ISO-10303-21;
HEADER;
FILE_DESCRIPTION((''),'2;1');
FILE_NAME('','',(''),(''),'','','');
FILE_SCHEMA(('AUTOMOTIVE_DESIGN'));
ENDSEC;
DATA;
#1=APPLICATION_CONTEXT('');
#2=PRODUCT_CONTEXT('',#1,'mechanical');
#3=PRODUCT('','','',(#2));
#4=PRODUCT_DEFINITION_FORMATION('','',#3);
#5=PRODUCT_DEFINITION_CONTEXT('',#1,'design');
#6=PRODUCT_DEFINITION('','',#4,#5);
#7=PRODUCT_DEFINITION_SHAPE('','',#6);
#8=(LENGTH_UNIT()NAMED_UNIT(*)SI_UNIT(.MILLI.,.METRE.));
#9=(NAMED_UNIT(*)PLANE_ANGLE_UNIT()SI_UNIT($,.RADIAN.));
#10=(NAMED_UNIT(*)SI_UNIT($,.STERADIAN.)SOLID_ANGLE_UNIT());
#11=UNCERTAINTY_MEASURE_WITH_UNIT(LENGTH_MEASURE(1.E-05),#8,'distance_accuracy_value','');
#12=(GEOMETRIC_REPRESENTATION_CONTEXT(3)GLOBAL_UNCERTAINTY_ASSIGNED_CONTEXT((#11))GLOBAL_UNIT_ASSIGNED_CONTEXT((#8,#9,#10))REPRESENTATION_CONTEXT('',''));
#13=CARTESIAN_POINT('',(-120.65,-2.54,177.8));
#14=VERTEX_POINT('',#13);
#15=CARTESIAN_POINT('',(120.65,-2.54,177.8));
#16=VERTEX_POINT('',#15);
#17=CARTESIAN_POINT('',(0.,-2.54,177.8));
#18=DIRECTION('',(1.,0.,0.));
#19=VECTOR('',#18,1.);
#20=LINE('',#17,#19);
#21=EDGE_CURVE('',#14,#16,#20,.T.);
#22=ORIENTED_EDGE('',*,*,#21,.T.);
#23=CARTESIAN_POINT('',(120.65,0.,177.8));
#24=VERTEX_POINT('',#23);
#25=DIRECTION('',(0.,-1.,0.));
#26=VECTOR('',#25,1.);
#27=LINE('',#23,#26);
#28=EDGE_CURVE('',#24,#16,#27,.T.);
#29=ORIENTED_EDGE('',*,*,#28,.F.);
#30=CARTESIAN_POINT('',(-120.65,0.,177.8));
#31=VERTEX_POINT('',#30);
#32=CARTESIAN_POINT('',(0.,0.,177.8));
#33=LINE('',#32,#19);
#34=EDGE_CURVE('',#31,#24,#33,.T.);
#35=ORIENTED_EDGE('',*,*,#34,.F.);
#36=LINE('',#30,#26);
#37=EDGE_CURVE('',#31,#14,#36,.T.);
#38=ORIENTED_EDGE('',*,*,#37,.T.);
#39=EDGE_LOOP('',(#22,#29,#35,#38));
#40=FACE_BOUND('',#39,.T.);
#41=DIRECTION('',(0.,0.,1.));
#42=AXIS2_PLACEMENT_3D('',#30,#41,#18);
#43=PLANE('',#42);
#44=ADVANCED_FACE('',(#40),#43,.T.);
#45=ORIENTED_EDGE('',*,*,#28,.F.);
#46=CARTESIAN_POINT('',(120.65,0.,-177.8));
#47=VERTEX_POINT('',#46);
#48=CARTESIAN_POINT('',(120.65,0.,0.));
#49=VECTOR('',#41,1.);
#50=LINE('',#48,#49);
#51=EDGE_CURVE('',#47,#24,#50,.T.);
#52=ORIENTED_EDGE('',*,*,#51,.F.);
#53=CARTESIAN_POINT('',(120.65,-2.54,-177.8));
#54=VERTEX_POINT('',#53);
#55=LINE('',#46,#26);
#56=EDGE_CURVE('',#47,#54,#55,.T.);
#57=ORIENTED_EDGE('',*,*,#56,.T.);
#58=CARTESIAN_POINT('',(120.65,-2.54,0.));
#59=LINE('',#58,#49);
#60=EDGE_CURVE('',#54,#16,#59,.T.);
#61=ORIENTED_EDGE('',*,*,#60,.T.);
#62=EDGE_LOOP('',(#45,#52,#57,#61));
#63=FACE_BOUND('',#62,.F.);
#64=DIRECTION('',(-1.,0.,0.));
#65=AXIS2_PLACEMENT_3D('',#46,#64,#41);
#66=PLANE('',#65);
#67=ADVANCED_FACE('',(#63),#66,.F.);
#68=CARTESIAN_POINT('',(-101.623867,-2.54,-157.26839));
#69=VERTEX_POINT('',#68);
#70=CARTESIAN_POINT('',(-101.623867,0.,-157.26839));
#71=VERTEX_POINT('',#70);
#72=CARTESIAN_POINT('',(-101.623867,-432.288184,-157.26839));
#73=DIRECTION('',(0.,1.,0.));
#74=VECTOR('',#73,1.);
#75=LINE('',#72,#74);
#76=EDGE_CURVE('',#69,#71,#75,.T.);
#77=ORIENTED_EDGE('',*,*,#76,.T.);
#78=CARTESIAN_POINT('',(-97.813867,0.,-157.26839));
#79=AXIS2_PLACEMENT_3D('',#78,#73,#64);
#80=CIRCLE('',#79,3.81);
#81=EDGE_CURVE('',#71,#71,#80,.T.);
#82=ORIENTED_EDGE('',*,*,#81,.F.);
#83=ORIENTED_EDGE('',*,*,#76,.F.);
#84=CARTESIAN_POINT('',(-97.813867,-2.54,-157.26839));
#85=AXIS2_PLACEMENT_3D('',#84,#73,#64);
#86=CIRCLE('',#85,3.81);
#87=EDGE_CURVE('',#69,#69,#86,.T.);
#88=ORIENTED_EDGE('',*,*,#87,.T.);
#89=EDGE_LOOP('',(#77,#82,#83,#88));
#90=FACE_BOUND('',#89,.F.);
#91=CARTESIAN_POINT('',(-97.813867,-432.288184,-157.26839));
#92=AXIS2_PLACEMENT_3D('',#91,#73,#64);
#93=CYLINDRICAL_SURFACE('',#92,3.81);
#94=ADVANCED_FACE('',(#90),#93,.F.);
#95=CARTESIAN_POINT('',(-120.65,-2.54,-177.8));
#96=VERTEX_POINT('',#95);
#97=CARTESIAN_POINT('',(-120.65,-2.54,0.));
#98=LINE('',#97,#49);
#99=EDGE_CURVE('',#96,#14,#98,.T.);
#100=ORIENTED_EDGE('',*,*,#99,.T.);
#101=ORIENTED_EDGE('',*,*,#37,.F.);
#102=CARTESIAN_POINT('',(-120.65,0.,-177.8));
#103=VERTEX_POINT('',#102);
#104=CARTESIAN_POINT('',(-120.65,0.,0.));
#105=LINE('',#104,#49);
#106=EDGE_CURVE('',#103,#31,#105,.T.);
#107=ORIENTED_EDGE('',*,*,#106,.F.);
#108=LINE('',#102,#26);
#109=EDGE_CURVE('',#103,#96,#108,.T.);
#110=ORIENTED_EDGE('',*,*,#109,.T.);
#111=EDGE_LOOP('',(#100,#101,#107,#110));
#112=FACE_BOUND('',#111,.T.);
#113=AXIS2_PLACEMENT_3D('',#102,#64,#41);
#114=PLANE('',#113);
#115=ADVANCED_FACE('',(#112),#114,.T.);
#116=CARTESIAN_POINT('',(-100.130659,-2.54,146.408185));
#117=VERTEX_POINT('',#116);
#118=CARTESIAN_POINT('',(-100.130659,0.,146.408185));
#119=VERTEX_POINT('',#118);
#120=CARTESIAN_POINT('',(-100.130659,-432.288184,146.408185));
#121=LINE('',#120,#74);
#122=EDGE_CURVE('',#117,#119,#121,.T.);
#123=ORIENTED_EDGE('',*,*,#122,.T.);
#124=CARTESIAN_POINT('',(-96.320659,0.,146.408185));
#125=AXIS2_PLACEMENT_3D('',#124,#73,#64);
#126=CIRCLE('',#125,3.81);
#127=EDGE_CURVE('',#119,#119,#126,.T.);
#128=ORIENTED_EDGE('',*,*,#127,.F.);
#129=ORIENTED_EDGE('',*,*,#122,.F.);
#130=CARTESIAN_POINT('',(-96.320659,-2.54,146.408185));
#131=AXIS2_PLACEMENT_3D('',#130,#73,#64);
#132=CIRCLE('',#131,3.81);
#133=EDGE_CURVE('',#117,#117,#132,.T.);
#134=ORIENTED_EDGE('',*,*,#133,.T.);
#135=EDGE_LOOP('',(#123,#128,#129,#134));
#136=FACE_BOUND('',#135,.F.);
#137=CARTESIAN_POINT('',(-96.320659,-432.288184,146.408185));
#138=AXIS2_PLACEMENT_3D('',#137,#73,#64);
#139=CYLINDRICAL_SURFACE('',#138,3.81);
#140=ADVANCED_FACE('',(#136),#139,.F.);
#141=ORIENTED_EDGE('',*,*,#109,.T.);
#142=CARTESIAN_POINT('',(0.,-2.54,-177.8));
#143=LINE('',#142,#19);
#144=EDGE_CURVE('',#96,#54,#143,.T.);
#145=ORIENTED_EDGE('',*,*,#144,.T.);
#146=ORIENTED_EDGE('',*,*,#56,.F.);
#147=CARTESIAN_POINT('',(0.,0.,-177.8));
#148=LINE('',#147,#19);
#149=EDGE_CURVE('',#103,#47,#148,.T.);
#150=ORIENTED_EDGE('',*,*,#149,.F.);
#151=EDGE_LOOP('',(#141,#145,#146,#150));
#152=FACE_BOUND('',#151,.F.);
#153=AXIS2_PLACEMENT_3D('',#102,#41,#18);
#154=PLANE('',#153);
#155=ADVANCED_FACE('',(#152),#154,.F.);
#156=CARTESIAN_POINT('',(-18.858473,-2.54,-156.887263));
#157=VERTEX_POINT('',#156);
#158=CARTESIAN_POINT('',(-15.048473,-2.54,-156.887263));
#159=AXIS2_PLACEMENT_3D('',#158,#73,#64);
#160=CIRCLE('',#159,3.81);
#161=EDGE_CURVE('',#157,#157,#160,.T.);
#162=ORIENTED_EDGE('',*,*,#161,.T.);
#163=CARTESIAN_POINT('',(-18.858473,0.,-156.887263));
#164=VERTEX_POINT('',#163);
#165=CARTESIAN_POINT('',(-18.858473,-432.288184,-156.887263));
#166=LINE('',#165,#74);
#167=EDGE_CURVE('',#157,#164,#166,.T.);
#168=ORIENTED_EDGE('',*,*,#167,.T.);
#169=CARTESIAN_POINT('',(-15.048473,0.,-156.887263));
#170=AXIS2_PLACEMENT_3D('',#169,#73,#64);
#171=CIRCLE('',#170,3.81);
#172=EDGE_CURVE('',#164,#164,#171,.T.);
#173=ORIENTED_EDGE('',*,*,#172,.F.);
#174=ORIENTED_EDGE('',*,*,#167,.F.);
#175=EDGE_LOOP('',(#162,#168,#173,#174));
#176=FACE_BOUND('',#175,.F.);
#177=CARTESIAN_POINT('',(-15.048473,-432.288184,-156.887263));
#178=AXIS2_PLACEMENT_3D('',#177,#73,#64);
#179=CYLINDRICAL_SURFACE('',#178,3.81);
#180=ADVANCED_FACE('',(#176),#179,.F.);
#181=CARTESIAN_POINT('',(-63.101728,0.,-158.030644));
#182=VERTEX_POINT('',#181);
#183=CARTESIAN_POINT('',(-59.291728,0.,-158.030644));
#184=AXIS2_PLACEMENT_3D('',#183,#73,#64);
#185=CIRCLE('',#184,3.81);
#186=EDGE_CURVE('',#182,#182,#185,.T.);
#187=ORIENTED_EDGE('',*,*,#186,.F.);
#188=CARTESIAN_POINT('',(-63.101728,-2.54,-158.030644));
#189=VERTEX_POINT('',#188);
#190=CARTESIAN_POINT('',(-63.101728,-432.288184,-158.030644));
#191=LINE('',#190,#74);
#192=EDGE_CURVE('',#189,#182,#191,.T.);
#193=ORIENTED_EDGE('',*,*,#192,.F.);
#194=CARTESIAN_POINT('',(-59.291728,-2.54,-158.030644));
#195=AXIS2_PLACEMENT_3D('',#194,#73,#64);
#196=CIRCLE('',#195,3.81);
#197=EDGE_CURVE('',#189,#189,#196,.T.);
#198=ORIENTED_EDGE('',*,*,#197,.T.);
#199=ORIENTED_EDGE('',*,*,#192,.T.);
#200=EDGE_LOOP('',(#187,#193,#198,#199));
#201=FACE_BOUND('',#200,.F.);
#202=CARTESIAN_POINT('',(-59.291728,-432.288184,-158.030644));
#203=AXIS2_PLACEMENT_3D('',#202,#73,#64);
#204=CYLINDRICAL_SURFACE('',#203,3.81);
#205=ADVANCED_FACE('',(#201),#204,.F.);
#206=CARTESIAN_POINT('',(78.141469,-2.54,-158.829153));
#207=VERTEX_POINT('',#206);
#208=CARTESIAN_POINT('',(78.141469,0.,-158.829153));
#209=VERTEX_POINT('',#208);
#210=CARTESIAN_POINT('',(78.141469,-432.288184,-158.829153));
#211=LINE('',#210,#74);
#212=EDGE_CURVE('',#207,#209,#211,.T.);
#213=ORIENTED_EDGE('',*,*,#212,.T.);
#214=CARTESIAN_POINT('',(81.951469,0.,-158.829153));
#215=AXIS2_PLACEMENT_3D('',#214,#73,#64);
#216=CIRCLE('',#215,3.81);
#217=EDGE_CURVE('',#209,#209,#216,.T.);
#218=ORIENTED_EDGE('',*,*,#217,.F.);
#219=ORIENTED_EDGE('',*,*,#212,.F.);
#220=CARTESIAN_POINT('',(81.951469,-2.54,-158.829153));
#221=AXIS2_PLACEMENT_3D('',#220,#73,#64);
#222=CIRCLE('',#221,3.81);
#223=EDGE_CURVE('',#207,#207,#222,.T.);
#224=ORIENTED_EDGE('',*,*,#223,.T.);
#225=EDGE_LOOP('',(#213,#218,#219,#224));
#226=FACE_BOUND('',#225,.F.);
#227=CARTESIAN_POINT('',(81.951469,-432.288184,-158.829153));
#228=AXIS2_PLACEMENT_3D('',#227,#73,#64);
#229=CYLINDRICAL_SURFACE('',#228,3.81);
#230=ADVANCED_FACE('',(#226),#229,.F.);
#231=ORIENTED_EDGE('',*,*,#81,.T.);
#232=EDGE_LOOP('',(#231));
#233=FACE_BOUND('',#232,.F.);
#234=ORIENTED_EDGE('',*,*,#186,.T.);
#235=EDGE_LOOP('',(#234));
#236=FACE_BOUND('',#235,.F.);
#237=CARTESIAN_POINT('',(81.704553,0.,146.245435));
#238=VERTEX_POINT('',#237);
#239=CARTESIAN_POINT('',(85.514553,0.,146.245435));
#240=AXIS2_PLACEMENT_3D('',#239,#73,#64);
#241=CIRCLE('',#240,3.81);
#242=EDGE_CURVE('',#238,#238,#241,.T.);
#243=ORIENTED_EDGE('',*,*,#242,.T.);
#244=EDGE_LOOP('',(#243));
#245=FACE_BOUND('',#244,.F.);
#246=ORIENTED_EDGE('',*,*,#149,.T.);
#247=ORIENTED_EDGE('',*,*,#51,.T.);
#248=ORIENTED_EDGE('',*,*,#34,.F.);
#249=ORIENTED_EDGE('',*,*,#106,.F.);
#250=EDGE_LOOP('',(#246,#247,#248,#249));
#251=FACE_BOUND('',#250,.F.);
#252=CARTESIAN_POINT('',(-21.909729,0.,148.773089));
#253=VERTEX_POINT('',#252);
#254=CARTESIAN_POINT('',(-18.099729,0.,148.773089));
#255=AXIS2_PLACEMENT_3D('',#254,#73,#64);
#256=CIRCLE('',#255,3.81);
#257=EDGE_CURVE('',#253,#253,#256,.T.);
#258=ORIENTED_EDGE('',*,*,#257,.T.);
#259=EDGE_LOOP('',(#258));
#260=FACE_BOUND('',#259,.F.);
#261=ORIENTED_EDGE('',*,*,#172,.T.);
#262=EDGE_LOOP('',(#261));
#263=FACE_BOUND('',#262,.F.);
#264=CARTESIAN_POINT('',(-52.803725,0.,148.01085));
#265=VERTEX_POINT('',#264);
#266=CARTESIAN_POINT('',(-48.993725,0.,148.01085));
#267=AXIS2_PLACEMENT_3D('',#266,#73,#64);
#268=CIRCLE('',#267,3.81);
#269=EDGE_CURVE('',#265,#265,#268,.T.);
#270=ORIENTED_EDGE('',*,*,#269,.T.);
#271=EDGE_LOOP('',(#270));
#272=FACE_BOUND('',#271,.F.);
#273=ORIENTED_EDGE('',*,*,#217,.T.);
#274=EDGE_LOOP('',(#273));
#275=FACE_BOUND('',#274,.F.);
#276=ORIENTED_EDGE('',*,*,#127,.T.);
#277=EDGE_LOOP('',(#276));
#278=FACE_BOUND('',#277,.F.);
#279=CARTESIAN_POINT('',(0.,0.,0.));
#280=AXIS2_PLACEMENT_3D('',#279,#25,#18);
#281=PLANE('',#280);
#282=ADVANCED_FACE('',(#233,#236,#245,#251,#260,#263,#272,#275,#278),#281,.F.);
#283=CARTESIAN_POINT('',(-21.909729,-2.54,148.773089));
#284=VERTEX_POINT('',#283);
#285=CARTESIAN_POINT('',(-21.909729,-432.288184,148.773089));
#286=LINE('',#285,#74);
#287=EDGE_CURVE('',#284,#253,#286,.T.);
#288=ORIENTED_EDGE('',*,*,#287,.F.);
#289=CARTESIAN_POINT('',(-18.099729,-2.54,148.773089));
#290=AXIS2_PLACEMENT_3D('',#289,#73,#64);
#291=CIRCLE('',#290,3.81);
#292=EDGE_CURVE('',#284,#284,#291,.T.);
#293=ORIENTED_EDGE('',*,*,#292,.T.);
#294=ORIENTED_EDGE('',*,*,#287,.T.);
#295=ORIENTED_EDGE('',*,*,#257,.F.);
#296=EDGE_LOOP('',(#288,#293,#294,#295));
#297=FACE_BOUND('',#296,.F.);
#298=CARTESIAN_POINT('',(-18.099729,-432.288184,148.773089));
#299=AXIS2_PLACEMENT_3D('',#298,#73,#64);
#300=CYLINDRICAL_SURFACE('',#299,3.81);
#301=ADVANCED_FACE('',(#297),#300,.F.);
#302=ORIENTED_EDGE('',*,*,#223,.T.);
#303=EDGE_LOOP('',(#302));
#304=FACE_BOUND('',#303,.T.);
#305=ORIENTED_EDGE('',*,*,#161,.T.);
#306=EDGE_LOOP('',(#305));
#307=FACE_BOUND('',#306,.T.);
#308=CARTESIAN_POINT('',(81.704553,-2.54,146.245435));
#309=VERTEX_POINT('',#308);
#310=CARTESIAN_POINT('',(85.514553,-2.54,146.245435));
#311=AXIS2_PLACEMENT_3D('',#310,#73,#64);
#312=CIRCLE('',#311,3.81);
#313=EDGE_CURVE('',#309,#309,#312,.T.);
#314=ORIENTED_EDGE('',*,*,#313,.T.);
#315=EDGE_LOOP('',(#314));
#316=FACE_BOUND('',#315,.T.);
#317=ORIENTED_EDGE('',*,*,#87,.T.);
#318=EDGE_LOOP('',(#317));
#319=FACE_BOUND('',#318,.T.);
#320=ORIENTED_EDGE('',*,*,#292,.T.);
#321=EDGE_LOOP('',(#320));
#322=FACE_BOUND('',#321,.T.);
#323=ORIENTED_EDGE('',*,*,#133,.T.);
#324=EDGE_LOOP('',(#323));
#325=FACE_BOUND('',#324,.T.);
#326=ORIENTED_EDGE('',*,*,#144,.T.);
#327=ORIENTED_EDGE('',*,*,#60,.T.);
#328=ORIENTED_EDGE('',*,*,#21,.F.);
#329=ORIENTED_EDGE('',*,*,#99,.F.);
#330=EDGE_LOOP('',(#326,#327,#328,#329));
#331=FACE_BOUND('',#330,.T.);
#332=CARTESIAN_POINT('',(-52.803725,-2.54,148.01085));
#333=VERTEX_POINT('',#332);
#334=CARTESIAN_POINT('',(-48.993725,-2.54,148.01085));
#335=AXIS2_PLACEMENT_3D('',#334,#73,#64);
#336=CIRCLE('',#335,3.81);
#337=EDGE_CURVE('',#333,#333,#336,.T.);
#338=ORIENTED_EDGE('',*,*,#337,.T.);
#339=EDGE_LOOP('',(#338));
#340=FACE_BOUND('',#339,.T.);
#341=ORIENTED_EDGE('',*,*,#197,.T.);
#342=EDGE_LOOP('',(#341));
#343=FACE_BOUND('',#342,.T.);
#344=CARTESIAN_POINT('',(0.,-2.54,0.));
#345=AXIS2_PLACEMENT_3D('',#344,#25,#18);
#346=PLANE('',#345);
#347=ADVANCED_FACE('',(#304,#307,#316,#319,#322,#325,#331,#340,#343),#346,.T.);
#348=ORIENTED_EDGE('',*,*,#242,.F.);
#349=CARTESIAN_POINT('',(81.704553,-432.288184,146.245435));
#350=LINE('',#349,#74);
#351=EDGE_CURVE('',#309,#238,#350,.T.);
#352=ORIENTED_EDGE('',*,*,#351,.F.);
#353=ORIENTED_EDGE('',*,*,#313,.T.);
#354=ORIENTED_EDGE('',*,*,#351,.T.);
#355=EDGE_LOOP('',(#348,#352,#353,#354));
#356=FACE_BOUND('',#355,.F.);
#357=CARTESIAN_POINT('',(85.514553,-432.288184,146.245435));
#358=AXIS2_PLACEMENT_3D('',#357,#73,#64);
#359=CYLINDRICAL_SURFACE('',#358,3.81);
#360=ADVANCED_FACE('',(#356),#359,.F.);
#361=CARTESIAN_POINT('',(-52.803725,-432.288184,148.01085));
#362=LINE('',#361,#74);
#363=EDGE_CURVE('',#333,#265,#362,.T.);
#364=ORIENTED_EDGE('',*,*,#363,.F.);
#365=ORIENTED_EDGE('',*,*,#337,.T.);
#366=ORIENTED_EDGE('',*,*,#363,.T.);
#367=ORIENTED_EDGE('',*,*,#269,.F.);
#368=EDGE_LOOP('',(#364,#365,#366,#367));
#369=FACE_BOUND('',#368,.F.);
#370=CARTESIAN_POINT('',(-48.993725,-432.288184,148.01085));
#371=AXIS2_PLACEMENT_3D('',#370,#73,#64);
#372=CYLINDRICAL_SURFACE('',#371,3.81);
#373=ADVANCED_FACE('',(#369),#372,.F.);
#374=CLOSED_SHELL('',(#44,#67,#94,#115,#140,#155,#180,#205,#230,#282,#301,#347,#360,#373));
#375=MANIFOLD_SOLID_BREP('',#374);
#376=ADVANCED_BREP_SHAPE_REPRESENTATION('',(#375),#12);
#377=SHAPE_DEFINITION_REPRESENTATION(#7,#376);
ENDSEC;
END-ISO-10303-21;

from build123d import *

# Parameters (mm, degrees)
F0_W     = 241.3
F0_H     = 355.6
F1_DEPTH = 2.54
F3_D     = 7.62
F5_D     = 7.62
F7_D     = 7.62


with BuildPart() as f1:
    # F0 (on Front) → F1 (new body)
    with BuildSketch(Plane.XZ):
        Rectangle(F0_W, F0_H)
    extrude(amount=F1_DEPTH)

    # F3 (through all)
    with Locations(Plane.XZ.offset(2.54)):
        with Locations((-97.813867, -157.26839), (-59.291728, -158.030644), (-15.048473, -156.887263), (-18.099729, 148.773089), (-48.993725, 148.01085), (-96.320659, 146.408185)):
            Hole(F3_D / 2)

    # F5 (through all)
    with Locations(Plane.XZ.offset(2.54)):
        with Locations((81.951469, -158.829153)):
            Hole(F5_D / 2)

    # F7 (through all)
    with Locations(Plane.XZ.offset(2.54)):
        with Locations((85.514553, 146.245435)):
            Hole(F7_D / 2)


solid = f1.part
